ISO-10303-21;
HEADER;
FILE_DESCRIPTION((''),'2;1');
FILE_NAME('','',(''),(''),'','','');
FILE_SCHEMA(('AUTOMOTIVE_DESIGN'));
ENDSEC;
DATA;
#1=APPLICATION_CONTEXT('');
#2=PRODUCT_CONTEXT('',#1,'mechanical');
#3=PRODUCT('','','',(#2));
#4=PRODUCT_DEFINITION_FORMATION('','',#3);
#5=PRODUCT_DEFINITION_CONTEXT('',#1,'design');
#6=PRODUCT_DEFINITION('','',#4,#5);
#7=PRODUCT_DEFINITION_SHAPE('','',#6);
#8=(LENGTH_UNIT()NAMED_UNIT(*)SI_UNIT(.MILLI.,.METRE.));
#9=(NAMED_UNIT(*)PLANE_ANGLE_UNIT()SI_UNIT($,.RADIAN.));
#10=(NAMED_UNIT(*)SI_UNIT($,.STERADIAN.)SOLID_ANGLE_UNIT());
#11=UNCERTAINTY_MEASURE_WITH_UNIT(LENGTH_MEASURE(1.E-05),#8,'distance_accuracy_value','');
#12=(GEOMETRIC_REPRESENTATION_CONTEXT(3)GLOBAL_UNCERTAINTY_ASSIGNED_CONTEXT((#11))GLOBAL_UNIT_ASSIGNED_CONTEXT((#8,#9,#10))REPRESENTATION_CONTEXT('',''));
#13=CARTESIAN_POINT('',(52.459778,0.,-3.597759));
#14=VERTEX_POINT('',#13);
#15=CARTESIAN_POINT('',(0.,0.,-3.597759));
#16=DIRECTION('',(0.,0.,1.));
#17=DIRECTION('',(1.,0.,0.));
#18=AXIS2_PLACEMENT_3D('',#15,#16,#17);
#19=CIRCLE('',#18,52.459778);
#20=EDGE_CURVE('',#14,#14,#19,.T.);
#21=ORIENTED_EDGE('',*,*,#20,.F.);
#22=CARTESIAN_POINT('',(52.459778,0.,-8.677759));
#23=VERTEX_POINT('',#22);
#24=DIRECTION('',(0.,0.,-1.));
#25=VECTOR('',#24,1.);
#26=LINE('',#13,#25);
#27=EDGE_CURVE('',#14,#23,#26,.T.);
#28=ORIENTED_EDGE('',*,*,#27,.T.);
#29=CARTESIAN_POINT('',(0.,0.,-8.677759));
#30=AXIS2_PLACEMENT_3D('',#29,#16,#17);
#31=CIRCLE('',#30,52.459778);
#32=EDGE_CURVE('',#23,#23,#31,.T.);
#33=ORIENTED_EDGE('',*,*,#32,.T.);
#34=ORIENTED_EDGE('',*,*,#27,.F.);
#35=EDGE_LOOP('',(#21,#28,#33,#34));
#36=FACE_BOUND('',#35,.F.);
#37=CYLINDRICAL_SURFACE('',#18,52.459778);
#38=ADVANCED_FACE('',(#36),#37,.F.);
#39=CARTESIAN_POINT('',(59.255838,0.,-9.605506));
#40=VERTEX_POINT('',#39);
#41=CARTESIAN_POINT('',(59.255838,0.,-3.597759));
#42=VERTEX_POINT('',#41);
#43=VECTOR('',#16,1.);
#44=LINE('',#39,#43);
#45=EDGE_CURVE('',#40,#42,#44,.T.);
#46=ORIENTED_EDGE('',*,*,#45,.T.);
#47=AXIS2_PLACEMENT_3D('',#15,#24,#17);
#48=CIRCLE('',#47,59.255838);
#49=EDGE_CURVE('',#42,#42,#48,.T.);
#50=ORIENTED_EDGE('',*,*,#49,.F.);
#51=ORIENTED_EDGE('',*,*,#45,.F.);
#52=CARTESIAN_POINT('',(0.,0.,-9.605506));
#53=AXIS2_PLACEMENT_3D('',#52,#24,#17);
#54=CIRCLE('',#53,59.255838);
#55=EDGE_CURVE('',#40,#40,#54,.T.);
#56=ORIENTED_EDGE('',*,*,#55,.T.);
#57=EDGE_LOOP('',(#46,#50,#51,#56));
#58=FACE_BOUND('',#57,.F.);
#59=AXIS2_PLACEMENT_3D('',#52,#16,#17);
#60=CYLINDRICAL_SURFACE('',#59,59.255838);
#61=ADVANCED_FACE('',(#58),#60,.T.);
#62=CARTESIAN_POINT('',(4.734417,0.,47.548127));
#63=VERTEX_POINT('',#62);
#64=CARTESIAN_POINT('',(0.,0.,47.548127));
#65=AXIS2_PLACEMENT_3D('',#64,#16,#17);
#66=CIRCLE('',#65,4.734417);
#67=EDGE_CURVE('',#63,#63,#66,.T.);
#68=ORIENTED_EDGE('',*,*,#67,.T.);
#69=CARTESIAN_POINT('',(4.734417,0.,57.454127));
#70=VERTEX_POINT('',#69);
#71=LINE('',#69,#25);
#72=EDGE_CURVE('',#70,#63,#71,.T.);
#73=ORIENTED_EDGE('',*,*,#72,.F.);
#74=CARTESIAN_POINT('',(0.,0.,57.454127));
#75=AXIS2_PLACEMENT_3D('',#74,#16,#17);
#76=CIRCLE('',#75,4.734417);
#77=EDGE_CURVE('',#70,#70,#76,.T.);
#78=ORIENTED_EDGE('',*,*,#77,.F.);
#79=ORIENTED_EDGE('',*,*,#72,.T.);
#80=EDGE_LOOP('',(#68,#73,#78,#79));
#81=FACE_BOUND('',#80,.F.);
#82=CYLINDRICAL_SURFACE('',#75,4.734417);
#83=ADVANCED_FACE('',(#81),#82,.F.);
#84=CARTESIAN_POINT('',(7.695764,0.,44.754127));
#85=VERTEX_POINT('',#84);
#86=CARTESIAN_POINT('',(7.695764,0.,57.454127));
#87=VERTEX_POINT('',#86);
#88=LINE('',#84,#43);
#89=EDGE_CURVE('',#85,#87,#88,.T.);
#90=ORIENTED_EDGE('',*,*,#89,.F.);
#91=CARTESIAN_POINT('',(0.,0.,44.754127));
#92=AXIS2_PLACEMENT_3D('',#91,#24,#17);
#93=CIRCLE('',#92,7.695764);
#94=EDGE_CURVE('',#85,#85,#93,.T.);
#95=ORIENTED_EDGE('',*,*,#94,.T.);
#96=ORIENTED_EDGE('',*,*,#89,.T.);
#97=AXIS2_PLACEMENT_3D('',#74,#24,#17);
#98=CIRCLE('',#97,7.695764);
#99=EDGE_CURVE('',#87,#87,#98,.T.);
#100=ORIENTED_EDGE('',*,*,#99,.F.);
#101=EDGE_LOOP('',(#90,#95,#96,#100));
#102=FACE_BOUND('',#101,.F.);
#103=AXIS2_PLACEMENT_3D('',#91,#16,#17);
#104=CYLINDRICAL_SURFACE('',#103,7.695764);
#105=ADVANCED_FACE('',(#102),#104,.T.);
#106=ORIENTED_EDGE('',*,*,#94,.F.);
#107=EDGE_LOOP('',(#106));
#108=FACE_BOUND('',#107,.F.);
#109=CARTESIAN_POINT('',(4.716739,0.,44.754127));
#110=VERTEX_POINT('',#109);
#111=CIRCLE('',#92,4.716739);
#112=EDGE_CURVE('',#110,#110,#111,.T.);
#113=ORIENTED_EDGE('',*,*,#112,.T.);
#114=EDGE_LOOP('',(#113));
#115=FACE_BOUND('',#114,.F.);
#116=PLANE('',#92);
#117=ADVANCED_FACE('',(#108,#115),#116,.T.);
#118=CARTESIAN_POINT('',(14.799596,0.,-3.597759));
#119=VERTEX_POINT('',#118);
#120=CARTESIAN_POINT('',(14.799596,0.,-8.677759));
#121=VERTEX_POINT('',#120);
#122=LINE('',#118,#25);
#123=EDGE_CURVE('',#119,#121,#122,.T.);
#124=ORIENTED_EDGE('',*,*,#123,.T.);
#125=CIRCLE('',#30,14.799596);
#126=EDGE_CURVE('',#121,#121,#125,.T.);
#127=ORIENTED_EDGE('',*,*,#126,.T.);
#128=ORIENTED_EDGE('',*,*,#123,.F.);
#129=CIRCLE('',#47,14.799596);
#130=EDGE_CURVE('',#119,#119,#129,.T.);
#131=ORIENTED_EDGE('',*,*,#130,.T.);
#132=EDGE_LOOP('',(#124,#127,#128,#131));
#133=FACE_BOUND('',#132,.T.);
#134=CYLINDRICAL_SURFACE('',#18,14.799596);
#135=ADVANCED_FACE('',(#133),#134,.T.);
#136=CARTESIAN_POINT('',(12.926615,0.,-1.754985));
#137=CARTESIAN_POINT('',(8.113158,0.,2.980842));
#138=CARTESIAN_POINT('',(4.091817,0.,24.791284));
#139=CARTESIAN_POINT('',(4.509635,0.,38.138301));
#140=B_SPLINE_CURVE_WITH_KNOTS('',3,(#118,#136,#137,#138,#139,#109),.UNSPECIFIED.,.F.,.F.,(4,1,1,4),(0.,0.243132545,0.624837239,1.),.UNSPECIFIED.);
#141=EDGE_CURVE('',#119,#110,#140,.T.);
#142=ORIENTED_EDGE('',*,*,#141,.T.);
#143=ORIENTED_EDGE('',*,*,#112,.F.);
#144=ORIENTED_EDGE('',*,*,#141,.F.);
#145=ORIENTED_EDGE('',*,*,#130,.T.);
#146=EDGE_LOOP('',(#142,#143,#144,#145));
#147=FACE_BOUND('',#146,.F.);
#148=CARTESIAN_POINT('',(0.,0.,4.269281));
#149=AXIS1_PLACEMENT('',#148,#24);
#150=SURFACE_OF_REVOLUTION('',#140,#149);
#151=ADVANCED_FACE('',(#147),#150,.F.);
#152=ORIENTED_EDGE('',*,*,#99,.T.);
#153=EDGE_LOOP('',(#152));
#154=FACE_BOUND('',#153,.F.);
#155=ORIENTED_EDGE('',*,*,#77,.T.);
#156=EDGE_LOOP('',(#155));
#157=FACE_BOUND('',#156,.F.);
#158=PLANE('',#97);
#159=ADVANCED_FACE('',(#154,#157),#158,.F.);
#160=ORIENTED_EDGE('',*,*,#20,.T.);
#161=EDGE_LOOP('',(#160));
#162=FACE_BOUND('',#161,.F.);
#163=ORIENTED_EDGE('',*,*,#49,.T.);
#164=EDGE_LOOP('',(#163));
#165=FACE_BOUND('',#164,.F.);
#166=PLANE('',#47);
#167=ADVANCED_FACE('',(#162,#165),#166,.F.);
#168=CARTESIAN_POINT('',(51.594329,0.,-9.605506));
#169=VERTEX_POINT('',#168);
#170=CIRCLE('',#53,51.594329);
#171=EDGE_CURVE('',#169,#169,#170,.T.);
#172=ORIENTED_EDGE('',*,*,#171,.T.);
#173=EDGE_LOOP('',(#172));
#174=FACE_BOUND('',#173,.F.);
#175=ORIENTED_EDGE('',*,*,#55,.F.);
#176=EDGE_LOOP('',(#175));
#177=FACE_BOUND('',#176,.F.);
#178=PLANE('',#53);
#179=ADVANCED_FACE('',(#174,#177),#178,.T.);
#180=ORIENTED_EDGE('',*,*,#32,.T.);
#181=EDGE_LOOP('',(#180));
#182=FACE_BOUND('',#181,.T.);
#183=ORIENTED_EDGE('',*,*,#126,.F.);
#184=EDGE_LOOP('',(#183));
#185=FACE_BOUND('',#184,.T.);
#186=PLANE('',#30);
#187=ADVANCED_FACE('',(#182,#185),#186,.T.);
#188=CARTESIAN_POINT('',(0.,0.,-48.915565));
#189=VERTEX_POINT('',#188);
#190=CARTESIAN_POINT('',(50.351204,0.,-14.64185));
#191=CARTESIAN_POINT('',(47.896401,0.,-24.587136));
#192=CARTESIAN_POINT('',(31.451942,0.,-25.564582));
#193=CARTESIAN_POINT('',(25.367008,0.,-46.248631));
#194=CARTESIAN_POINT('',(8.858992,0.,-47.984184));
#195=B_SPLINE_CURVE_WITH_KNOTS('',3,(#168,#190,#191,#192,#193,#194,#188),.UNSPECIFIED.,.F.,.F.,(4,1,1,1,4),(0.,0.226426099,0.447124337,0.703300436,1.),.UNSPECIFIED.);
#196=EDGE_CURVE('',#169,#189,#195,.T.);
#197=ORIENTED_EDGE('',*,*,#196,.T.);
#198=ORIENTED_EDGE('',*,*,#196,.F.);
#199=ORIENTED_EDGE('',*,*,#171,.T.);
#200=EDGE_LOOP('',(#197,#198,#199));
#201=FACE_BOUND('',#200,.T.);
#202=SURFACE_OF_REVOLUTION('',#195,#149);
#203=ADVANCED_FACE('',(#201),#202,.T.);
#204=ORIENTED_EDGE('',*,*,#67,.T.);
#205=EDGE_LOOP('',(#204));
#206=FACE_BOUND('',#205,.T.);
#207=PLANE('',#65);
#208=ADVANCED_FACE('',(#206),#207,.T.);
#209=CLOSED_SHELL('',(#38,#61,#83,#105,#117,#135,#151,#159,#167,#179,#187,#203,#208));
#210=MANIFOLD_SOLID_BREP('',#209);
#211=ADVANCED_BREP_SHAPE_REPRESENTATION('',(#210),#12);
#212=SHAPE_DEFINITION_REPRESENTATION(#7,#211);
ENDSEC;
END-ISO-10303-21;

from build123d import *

# Parameters (mm, degrees)
F2_R     = 52.4597780646
F2_R_2   = 14.7995962225
F3_DEPTH = 5.08
F4_R     = 4.734417081
F5_DEPTH = 9.906


with BuildPart() as f1:
    # F0 (on Front) → F1 (revolve)
    with BuildSketch(Plane.XZ):
        with BuildLine():
            Line((51.5943290595, -9.6055062943), (56.3692913846, -9.6055062943))
            Line((56.3692913846, -9.6055062943), (59.2558380857, -9.6055062943))
            Line((59.2558380857, -9.6055062943), (59.2558380857, -3.5977592756))
            Line((59.2558380857, -3.5977592756), (14.7995962225, -3.5977592756))
            add(Edge.make_bspline(
                [(14.7995962225, -3.5977592756), (12.9266153868, -1.754985324), (8.1131582041, 2.9808420721), (4.0918168267, 24.7912842254), (4.5096354849, 38.1383005567), (4.7167390869, 44.7541268357)],
                knots=[0, 0, 0, 0, 0.2431325449, 0.6248372392, 1, 1, 1, 1], degree=3))
            Line((4.7167390869, 44.7541268357), (7.6957641878, 44.7541268357))
            Line((7.6957641878, 44.7541268357), (7.6957641878, 57.4541268357))
            Line((7.6957641878, 57.4541268357), (0, 57.4541268357))
            Line((0, 57.4541268357), (0, -48.9155651629))
            add(Edge.make_bspline(
                [(51.5943290595, -9.6055062943), (50.351203821, -14.641850477), (47.8964006913, -24.587135526), (31.4519415034, -25.5645820307), (25.3670083123, -46.2486306462), (8.8589921776, -47.9841840626), (0, -48.9155651629)],
                knots=[0, 0, 0, 0, 0.2264260994, 0.4471243373, 0.7033004364, 1, 1, 1, 1], degree=3))
        make_face()
    revolve(axis=Axis((0, 0, 4.2692808364), (0, 0, -1)))

    # F2 (on face) → F3 (cut)
    with BuildSketch(Plane.XY.offset(-3.5977592756)):
        Circle(F2_R)
        Circle(F2_R_2, mode=Mode.SUBTRACT)
    extrude(amount=-F3_DEPTH, mode=Mode.SUBTRACT)

    # F4 (on face) → F5 (cut)
    with BuildSketch(Plane.XY.offset(57.4541268357)):
        Circle(F4_R)
    extrude(amount=-F5_DEPTH, mode=Mode.SUBTRACT)


solid = f1.part
